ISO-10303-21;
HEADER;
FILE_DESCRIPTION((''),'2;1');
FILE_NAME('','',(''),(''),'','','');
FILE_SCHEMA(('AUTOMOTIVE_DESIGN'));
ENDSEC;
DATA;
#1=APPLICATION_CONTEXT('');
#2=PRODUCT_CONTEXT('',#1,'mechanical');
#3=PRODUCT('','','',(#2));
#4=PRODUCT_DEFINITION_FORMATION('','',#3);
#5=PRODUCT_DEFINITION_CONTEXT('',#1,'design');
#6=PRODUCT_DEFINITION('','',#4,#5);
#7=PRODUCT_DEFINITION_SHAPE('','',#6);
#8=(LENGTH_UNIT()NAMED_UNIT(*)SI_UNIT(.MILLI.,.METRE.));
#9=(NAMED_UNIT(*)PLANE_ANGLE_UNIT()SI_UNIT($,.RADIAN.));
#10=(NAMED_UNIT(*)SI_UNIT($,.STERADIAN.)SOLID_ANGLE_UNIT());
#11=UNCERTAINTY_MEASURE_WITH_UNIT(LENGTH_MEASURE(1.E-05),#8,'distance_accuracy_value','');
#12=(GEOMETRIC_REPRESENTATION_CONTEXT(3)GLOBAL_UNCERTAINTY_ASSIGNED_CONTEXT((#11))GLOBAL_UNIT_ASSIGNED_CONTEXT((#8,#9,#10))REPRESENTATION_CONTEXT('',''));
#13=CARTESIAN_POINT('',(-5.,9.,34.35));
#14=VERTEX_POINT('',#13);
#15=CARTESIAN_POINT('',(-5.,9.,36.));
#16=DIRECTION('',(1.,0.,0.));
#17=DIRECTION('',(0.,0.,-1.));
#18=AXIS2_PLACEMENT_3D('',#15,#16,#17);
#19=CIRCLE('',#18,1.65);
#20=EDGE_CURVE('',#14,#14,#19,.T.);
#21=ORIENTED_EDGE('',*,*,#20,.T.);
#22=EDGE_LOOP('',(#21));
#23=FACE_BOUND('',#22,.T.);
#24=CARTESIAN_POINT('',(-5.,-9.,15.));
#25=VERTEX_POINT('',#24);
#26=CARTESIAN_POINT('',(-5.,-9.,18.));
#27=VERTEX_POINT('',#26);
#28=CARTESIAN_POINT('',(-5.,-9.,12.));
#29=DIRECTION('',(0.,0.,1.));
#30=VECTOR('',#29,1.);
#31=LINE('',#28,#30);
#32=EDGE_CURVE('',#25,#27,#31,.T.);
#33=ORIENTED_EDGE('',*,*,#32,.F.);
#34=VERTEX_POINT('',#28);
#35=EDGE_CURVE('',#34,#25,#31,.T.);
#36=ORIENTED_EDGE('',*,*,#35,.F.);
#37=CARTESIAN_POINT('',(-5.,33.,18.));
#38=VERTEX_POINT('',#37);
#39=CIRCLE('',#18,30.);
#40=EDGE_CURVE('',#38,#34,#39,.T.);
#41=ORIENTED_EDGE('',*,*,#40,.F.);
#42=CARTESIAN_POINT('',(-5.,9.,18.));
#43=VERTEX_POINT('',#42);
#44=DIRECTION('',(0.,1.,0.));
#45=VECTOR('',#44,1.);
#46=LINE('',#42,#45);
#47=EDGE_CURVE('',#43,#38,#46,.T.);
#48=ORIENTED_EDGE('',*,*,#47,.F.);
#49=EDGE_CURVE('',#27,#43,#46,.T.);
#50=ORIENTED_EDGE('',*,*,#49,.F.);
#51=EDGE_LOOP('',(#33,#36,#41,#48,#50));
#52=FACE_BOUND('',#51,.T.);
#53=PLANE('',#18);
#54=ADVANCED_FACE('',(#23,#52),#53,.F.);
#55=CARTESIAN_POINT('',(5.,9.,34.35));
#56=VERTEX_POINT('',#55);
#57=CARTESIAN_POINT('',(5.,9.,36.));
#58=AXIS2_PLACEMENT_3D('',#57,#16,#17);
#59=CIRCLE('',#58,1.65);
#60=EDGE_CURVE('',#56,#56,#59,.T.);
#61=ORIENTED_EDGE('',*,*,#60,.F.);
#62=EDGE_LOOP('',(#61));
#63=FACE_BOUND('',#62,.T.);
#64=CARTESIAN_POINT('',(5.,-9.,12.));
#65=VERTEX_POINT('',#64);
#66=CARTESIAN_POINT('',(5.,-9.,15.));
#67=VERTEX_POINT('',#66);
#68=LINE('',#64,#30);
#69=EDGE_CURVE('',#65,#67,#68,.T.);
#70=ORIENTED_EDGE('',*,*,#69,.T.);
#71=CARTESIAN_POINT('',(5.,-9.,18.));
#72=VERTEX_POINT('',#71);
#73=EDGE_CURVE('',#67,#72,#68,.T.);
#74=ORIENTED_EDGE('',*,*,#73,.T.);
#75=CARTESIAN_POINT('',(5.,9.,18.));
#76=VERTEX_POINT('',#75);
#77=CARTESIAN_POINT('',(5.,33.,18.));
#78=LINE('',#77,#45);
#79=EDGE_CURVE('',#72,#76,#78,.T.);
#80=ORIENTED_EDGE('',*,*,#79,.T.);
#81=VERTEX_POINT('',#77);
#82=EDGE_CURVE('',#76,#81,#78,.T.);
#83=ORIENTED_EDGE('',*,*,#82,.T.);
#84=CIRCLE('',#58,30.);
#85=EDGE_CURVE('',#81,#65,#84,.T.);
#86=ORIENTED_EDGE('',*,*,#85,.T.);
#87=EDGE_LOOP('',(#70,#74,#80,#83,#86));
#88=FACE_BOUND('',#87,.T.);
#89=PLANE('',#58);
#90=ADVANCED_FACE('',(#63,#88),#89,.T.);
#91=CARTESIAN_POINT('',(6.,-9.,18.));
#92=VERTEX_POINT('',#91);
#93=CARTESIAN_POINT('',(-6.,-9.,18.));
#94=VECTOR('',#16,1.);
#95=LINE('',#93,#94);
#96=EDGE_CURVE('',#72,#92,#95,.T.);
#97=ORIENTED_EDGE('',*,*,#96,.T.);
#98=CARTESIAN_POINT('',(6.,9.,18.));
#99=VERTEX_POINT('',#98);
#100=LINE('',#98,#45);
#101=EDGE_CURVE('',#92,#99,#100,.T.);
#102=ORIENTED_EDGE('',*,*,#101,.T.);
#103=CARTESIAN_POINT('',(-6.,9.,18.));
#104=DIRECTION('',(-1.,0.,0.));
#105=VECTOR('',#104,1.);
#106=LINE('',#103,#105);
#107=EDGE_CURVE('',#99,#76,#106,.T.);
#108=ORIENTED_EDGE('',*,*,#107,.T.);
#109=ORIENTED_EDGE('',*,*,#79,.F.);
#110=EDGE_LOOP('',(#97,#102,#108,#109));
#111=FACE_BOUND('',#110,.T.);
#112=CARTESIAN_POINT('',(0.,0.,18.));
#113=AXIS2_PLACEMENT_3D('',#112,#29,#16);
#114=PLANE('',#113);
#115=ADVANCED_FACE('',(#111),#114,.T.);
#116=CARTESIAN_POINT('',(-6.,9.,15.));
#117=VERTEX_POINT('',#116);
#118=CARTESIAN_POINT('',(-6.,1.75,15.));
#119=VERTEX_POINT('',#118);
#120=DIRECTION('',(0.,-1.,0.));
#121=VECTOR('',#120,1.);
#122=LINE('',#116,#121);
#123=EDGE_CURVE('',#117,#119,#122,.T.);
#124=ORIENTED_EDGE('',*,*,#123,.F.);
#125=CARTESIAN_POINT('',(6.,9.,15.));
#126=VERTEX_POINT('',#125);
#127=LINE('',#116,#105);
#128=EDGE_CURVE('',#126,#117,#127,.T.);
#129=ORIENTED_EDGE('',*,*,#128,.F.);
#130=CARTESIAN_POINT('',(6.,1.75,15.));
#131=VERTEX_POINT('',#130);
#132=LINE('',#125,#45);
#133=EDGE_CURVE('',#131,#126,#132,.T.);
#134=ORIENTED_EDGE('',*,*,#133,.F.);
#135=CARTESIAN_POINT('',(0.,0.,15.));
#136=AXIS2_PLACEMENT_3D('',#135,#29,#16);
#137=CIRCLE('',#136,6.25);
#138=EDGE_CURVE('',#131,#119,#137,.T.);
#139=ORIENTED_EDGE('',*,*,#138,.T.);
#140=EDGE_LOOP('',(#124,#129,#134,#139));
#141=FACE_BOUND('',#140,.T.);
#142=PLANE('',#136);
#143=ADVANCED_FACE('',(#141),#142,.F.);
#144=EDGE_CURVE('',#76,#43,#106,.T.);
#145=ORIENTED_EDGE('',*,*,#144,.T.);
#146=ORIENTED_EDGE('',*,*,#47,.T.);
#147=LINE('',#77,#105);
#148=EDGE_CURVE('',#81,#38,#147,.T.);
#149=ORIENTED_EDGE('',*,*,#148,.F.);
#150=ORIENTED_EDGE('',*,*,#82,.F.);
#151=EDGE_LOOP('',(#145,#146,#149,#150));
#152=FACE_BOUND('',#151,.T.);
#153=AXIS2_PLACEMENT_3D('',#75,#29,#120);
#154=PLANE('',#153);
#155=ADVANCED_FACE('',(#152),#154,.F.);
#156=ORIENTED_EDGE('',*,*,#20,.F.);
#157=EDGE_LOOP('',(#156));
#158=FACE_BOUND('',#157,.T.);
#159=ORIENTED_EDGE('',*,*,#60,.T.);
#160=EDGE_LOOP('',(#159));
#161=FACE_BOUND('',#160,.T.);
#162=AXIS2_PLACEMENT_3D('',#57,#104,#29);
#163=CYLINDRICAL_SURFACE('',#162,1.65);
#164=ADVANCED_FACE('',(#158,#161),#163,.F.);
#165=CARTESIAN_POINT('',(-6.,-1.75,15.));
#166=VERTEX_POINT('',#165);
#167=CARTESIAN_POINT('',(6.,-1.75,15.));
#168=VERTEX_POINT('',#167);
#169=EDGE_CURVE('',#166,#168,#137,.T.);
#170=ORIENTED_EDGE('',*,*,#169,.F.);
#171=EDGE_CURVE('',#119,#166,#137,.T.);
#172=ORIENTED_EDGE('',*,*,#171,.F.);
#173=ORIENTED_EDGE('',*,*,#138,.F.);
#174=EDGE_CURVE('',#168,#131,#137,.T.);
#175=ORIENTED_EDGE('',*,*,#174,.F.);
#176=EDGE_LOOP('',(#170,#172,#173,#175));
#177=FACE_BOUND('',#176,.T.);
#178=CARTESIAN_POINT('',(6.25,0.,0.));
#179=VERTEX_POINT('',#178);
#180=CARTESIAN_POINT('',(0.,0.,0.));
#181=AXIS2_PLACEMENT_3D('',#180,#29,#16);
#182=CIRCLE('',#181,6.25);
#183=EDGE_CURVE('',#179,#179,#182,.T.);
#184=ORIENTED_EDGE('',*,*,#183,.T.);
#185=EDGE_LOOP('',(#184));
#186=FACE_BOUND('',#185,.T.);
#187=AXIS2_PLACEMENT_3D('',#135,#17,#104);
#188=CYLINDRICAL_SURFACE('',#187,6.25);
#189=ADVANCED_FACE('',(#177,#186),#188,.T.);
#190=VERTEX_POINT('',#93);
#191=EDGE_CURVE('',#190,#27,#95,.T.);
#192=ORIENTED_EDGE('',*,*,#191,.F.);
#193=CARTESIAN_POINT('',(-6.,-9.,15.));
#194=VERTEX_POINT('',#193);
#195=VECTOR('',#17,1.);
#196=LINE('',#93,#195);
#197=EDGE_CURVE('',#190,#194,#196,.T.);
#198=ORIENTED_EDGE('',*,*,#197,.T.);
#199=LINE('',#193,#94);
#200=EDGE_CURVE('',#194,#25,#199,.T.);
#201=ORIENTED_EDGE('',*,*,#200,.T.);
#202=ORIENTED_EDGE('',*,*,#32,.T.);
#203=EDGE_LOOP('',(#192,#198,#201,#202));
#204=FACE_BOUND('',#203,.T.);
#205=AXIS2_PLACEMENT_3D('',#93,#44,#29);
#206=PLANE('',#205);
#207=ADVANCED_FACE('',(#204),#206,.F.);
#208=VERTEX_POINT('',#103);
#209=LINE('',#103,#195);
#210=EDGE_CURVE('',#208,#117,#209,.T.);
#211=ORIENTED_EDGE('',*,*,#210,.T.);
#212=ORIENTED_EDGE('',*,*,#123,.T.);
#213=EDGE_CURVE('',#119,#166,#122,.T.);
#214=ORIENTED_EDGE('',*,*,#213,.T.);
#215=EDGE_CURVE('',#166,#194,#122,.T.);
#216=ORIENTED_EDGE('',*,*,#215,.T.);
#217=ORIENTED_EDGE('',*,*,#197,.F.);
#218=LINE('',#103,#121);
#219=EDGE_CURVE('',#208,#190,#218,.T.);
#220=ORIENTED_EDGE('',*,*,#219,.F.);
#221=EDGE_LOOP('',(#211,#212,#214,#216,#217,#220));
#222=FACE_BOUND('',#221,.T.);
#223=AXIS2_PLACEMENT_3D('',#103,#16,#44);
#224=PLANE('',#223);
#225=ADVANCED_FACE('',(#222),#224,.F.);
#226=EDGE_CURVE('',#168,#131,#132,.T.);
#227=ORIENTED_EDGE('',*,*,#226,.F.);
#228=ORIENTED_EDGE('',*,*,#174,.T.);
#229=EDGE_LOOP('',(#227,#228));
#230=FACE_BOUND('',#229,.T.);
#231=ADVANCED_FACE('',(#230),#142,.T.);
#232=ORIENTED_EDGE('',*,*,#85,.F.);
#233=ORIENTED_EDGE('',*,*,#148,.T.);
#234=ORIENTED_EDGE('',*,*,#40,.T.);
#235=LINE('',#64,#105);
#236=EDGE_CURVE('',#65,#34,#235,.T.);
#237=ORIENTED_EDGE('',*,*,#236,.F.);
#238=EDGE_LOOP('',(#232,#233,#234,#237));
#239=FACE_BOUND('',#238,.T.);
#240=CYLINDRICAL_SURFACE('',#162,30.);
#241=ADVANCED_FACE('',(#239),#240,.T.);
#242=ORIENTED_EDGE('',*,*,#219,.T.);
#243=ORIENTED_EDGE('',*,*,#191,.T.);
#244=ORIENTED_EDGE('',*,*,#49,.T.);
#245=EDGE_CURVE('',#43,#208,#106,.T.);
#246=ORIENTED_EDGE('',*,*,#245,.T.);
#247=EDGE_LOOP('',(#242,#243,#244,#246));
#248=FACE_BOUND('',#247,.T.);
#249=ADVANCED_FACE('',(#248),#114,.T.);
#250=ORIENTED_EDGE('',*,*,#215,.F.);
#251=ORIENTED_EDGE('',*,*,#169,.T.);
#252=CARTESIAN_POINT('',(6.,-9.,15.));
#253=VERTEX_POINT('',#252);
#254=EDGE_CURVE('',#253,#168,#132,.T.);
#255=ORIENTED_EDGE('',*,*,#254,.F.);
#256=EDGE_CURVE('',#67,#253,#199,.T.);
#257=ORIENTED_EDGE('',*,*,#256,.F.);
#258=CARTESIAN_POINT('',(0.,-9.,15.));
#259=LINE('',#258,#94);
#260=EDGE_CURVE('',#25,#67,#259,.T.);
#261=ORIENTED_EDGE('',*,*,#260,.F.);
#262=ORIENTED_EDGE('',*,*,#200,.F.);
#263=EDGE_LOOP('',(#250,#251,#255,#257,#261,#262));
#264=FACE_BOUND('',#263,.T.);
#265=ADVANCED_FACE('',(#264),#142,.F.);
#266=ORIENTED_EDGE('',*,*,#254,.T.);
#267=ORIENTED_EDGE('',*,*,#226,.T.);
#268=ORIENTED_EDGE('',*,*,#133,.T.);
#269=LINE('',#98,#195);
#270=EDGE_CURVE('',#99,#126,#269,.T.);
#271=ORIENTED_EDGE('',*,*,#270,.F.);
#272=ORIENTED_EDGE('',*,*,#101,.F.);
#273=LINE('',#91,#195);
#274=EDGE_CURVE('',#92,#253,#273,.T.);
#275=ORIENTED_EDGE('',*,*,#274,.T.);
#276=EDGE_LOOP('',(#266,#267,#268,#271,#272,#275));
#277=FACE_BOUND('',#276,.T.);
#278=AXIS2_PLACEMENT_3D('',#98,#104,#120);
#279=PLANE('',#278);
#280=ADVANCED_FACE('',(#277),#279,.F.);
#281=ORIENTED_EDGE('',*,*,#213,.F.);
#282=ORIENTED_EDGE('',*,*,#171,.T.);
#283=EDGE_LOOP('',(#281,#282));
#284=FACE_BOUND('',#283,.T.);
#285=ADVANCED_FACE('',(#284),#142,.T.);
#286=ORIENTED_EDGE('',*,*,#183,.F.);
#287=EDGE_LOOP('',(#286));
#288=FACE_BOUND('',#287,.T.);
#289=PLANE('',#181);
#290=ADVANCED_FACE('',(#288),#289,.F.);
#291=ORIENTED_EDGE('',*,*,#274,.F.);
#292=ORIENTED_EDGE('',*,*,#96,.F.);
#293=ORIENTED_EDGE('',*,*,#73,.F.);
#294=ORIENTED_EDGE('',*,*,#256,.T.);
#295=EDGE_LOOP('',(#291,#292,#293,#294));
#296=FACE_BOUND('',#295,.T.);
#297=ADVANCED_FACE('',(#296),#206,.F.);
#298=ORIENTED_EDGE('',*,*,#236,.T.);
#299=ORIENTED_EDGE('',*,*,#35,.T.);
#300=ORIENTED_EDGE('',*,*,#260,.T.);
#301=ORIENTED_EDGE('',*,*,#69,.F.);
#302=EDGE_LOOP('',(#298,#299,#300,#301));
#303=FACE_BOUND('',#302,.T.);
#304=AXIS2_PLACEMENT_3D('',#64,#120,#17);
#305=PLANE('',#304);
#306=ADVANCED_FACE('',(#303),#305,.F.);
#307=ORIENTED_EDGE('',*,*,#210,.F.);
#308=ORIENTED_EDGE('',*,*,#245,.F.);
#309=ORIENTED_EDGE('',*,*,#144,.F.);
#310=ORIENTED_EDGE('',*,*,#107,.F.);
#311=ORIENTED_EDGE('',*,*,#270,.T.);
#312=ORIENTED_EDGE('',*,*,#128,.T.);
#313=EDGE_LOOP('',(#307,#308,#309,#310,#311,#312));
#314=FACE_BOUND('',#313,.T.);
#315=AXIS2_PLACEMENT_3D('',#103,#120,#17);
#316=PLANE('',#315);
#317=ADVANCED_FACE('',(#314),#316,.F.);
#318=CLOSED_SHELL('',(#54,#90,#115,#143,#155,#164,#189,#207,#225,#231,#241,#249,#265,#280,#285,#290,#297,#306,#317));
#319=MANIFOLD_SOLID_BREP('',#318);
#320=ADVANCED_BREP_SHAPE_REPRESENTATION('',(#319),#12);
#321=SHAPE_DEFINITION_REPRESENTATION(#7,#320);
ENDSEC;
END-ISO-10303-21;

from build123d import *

# Parameters (mm, degrees)
SKETCH_2_R      = 6.25
EXTRUDE_1_DEPTH = 15
SKETCH_3_W      = 12
SKETCH_3_H      = 18
EXTRUDE_2_DEPTH = 3
SKETCH_4_R      = 1.65
EXTRUDE_3_DEPTH = 5


with BuildPart() as part:
    # ｽｹｯﾁ2 → ﾎﾞｽ - 押し出し1 (new body)
    with BuildSketch(Plane.XY):
        Circle(SKETCH_2_R)
    extrude(amount=EXTRUDE_1_DEPTH)

    # ｽｹｯﾁ3 → ﾎﾞｽ - 押し出し2 (add)
    with BuildSketch(Plane.XY.offset(15)):
        Rectangle(SKETCH_3_W, SKETCH_3_H)
    extrude(amount=EXTRUDE_2_DEPTH)

    # ｽｹｯﾁ4 → ﾎﾞｽ - 押し出し3 (add, symmetric)
    with BuildSketch(Plane(origin=(0, 0, 0), x_dir=(0, 0, -1), z_dir=(1, 0, 0))):
        with BuildLine():
            Line((-18, 9), (-18, -9))
            Line((-18, -9), (-12, -9))
            ThreePointArc((-12, -9), (-65.69848481, 4.757359313), (-18, 33))
            Line((-18, 33), (-18, 9))
        make_face()
        with Locations((-36, 9)):
            Circle(SKETCH_4_R, mode=Mode.SUBTRACT)
    extrude(amount=EXTRUDE_3_DEPTH, both=True)


solid = part.part
